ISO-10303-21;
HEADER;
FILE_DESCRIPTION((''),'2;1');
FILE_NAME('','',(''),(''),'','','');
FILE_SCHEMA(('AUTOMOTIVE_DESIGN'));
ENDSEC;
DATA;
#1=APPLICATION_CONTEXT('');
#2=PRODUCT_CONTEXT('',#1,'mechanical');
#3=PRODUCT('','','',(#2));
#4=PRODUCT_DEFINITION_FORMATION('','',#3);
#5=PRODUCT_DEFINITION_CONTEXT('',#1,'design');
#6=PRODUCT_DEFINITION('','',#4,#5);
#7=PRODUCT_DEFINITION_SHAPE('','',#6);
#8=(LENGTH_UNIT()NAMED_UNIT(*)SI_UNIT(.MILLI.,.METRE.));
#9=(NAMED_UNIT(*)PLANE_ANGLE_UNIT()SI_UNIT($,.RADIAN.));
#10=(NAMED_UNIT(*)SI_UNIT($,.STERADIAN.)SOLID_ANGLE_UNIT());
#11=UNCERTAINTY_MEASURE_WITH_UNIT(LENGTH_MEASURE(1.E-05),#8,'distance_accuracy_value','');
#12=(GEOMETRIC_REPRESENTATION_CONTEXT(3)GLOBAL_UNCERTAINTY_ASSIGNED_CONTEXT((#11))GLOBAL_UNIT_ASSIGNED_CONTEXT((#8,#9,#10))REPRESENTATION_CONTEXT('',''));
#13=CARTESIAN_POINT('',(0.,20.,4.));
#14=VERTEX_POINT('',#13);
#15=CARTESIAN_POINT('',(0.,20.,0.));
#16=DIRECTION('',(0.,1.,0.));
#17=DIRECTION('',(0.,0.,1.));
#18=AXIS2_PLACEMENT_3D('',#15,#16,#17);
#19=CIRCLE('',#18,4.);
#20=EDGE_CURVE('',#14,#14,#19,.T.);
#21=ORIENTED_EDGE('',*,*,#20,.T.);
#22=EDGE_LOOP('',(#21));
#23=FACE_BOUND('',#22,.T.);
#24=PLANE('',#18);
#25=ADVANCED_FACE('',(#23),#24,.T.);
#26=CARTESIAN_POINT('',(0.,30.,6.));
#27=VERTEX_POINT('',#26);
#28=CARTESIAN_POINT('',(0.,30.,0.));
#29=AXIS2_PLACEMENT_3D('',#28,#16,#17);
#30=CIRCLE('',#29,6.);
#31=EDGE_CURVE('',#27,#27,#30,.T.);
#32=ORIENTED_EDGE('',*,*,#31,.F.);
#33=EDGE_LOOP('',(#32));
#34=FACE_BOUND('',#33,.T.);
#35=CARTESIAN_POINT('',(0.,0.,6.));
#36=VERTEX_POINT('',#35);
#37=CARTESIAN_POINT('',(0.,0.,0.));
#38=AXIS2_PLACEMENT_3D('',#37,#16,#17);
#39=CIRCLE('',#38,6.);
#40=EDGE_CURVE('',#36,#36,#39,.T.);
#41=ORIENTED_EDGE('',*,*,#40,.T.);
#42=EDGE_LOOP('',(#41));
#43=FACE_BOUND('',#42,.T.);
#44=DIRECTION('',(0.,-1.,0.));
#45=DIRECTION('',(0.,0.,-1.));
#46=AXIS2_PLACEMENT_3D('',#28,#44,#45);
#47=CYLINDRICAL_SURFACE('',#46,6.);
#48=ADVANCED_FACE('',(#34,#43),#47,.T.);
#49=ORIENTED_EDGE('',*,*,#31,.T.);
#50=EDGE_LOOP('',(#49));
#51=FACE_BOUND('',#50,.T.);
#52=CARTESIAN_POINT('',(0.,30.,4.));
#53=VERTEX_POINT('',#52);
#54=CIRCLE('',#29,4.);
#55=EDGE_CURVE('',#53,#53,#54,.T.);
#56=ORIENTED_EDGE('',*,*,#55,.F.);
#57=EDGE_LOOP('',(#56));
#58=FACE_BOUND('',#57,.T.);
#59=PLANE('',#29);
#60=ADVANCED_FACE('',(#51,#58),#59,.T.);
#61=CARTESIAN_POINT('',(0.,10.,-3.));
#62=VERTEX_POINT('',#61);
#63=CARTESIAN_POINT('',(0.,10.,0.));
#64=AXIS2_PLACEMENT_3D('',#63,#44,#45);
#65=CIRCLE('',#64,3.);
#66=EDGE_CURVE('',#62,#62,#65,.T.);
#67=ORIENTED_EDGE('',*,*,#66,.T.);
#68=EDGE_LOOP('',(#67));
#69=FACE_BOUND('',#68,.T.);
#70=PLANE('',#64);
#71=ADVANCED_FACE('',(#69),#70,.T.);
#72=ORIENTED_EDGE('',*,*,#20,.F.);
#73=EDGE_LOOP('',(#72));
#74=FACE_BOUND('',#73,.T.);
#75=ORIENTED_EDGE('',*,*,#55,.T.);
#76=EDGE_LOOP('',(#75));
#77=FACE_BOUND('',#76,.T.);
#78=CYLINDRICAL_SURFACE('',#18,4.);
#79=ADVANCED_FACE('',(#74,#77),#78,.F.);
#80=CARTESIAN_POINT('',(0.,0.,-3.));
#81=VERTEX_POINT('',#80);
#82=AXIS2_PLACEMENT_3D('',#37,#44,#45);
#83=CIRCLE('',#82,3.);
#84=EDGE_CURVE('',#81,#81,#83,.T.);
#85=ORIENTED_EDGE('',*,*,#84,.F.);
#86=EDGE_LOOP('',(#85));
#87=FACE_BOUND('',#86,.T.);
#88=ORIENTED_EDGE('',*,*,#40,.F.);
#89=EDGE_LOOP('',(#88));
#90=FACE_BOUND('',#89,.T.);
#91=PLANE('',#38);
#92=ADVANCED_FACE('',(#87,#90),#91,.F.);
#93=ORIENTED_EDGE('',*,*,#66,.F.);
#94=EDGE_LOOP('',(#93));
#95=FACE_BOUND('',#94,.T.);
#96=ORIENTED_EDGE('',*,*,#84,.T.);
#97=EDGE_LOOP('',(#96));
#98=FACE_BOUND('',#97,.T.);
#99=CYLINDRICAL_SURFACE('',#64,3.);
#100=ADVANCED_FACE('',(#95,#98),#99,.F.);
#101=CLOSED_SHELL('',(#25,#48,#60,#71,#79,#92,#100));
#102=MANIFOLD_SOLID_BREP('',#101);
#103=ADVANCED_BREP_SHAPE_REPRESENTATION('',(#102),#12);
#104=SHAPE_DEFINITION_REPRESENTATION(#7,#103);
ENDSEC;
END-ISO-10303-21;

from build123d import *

# Parameters (mm, degrees)
SKETCH1_R           = 6
BOSS_EXTRUDE2_DEPTH = 30
SKETCH2_R           = 4
CUT_EXTRUDE1_DEPTH  = 10
SKETCH3_R           = 3
CUT_EXTRUDE2_DEPTH  = 10


with BuildPart() as part:
    # Sketch1 → Boss-Extrude2 (new body)
    with BuildSketch(Plane(origin=(0, 0, 0), x_dir=(1, 0, 0), z_dir=(0, 1, 0))):
        with Locations(Location((0, 0, 0), (0, 0, 270))):
            Circle(SKETCH1_R)
    extrude(amount=BOSS_EXTRUDE2_DEPTH)

    # Sketch2 → Cut-Extrude1 (cut)
    with BuildSketch(Plane(origin=(0, 30, 0), x_dir=(1, 0, 0), z_dir=(0, 1, 0))):
        with Locations(Location((0, 0, 0), (0, 0, 270))):
            Circle(SKETCH2_R)
    extrude(amount=-CUT_EXTRUDE1_DEPTH, mode=Mode.SUBTRACT)

    # Sketch3 → Cut-Extrude2 (cut)
    with BuildSketch(Plane(origin=(0, 0, 0), x_dir=(-1, 0, 0), z_dir=(0, -1, 0))):
        with Locations(Location((0, 0, 0), (0, 0, 90))):
            Circle(SKETCH3_R)
    extrude(amount=-CUT_EXTRUDE2_DEPTH, mode=Mode.SUBTRACT)


solid = part.part
